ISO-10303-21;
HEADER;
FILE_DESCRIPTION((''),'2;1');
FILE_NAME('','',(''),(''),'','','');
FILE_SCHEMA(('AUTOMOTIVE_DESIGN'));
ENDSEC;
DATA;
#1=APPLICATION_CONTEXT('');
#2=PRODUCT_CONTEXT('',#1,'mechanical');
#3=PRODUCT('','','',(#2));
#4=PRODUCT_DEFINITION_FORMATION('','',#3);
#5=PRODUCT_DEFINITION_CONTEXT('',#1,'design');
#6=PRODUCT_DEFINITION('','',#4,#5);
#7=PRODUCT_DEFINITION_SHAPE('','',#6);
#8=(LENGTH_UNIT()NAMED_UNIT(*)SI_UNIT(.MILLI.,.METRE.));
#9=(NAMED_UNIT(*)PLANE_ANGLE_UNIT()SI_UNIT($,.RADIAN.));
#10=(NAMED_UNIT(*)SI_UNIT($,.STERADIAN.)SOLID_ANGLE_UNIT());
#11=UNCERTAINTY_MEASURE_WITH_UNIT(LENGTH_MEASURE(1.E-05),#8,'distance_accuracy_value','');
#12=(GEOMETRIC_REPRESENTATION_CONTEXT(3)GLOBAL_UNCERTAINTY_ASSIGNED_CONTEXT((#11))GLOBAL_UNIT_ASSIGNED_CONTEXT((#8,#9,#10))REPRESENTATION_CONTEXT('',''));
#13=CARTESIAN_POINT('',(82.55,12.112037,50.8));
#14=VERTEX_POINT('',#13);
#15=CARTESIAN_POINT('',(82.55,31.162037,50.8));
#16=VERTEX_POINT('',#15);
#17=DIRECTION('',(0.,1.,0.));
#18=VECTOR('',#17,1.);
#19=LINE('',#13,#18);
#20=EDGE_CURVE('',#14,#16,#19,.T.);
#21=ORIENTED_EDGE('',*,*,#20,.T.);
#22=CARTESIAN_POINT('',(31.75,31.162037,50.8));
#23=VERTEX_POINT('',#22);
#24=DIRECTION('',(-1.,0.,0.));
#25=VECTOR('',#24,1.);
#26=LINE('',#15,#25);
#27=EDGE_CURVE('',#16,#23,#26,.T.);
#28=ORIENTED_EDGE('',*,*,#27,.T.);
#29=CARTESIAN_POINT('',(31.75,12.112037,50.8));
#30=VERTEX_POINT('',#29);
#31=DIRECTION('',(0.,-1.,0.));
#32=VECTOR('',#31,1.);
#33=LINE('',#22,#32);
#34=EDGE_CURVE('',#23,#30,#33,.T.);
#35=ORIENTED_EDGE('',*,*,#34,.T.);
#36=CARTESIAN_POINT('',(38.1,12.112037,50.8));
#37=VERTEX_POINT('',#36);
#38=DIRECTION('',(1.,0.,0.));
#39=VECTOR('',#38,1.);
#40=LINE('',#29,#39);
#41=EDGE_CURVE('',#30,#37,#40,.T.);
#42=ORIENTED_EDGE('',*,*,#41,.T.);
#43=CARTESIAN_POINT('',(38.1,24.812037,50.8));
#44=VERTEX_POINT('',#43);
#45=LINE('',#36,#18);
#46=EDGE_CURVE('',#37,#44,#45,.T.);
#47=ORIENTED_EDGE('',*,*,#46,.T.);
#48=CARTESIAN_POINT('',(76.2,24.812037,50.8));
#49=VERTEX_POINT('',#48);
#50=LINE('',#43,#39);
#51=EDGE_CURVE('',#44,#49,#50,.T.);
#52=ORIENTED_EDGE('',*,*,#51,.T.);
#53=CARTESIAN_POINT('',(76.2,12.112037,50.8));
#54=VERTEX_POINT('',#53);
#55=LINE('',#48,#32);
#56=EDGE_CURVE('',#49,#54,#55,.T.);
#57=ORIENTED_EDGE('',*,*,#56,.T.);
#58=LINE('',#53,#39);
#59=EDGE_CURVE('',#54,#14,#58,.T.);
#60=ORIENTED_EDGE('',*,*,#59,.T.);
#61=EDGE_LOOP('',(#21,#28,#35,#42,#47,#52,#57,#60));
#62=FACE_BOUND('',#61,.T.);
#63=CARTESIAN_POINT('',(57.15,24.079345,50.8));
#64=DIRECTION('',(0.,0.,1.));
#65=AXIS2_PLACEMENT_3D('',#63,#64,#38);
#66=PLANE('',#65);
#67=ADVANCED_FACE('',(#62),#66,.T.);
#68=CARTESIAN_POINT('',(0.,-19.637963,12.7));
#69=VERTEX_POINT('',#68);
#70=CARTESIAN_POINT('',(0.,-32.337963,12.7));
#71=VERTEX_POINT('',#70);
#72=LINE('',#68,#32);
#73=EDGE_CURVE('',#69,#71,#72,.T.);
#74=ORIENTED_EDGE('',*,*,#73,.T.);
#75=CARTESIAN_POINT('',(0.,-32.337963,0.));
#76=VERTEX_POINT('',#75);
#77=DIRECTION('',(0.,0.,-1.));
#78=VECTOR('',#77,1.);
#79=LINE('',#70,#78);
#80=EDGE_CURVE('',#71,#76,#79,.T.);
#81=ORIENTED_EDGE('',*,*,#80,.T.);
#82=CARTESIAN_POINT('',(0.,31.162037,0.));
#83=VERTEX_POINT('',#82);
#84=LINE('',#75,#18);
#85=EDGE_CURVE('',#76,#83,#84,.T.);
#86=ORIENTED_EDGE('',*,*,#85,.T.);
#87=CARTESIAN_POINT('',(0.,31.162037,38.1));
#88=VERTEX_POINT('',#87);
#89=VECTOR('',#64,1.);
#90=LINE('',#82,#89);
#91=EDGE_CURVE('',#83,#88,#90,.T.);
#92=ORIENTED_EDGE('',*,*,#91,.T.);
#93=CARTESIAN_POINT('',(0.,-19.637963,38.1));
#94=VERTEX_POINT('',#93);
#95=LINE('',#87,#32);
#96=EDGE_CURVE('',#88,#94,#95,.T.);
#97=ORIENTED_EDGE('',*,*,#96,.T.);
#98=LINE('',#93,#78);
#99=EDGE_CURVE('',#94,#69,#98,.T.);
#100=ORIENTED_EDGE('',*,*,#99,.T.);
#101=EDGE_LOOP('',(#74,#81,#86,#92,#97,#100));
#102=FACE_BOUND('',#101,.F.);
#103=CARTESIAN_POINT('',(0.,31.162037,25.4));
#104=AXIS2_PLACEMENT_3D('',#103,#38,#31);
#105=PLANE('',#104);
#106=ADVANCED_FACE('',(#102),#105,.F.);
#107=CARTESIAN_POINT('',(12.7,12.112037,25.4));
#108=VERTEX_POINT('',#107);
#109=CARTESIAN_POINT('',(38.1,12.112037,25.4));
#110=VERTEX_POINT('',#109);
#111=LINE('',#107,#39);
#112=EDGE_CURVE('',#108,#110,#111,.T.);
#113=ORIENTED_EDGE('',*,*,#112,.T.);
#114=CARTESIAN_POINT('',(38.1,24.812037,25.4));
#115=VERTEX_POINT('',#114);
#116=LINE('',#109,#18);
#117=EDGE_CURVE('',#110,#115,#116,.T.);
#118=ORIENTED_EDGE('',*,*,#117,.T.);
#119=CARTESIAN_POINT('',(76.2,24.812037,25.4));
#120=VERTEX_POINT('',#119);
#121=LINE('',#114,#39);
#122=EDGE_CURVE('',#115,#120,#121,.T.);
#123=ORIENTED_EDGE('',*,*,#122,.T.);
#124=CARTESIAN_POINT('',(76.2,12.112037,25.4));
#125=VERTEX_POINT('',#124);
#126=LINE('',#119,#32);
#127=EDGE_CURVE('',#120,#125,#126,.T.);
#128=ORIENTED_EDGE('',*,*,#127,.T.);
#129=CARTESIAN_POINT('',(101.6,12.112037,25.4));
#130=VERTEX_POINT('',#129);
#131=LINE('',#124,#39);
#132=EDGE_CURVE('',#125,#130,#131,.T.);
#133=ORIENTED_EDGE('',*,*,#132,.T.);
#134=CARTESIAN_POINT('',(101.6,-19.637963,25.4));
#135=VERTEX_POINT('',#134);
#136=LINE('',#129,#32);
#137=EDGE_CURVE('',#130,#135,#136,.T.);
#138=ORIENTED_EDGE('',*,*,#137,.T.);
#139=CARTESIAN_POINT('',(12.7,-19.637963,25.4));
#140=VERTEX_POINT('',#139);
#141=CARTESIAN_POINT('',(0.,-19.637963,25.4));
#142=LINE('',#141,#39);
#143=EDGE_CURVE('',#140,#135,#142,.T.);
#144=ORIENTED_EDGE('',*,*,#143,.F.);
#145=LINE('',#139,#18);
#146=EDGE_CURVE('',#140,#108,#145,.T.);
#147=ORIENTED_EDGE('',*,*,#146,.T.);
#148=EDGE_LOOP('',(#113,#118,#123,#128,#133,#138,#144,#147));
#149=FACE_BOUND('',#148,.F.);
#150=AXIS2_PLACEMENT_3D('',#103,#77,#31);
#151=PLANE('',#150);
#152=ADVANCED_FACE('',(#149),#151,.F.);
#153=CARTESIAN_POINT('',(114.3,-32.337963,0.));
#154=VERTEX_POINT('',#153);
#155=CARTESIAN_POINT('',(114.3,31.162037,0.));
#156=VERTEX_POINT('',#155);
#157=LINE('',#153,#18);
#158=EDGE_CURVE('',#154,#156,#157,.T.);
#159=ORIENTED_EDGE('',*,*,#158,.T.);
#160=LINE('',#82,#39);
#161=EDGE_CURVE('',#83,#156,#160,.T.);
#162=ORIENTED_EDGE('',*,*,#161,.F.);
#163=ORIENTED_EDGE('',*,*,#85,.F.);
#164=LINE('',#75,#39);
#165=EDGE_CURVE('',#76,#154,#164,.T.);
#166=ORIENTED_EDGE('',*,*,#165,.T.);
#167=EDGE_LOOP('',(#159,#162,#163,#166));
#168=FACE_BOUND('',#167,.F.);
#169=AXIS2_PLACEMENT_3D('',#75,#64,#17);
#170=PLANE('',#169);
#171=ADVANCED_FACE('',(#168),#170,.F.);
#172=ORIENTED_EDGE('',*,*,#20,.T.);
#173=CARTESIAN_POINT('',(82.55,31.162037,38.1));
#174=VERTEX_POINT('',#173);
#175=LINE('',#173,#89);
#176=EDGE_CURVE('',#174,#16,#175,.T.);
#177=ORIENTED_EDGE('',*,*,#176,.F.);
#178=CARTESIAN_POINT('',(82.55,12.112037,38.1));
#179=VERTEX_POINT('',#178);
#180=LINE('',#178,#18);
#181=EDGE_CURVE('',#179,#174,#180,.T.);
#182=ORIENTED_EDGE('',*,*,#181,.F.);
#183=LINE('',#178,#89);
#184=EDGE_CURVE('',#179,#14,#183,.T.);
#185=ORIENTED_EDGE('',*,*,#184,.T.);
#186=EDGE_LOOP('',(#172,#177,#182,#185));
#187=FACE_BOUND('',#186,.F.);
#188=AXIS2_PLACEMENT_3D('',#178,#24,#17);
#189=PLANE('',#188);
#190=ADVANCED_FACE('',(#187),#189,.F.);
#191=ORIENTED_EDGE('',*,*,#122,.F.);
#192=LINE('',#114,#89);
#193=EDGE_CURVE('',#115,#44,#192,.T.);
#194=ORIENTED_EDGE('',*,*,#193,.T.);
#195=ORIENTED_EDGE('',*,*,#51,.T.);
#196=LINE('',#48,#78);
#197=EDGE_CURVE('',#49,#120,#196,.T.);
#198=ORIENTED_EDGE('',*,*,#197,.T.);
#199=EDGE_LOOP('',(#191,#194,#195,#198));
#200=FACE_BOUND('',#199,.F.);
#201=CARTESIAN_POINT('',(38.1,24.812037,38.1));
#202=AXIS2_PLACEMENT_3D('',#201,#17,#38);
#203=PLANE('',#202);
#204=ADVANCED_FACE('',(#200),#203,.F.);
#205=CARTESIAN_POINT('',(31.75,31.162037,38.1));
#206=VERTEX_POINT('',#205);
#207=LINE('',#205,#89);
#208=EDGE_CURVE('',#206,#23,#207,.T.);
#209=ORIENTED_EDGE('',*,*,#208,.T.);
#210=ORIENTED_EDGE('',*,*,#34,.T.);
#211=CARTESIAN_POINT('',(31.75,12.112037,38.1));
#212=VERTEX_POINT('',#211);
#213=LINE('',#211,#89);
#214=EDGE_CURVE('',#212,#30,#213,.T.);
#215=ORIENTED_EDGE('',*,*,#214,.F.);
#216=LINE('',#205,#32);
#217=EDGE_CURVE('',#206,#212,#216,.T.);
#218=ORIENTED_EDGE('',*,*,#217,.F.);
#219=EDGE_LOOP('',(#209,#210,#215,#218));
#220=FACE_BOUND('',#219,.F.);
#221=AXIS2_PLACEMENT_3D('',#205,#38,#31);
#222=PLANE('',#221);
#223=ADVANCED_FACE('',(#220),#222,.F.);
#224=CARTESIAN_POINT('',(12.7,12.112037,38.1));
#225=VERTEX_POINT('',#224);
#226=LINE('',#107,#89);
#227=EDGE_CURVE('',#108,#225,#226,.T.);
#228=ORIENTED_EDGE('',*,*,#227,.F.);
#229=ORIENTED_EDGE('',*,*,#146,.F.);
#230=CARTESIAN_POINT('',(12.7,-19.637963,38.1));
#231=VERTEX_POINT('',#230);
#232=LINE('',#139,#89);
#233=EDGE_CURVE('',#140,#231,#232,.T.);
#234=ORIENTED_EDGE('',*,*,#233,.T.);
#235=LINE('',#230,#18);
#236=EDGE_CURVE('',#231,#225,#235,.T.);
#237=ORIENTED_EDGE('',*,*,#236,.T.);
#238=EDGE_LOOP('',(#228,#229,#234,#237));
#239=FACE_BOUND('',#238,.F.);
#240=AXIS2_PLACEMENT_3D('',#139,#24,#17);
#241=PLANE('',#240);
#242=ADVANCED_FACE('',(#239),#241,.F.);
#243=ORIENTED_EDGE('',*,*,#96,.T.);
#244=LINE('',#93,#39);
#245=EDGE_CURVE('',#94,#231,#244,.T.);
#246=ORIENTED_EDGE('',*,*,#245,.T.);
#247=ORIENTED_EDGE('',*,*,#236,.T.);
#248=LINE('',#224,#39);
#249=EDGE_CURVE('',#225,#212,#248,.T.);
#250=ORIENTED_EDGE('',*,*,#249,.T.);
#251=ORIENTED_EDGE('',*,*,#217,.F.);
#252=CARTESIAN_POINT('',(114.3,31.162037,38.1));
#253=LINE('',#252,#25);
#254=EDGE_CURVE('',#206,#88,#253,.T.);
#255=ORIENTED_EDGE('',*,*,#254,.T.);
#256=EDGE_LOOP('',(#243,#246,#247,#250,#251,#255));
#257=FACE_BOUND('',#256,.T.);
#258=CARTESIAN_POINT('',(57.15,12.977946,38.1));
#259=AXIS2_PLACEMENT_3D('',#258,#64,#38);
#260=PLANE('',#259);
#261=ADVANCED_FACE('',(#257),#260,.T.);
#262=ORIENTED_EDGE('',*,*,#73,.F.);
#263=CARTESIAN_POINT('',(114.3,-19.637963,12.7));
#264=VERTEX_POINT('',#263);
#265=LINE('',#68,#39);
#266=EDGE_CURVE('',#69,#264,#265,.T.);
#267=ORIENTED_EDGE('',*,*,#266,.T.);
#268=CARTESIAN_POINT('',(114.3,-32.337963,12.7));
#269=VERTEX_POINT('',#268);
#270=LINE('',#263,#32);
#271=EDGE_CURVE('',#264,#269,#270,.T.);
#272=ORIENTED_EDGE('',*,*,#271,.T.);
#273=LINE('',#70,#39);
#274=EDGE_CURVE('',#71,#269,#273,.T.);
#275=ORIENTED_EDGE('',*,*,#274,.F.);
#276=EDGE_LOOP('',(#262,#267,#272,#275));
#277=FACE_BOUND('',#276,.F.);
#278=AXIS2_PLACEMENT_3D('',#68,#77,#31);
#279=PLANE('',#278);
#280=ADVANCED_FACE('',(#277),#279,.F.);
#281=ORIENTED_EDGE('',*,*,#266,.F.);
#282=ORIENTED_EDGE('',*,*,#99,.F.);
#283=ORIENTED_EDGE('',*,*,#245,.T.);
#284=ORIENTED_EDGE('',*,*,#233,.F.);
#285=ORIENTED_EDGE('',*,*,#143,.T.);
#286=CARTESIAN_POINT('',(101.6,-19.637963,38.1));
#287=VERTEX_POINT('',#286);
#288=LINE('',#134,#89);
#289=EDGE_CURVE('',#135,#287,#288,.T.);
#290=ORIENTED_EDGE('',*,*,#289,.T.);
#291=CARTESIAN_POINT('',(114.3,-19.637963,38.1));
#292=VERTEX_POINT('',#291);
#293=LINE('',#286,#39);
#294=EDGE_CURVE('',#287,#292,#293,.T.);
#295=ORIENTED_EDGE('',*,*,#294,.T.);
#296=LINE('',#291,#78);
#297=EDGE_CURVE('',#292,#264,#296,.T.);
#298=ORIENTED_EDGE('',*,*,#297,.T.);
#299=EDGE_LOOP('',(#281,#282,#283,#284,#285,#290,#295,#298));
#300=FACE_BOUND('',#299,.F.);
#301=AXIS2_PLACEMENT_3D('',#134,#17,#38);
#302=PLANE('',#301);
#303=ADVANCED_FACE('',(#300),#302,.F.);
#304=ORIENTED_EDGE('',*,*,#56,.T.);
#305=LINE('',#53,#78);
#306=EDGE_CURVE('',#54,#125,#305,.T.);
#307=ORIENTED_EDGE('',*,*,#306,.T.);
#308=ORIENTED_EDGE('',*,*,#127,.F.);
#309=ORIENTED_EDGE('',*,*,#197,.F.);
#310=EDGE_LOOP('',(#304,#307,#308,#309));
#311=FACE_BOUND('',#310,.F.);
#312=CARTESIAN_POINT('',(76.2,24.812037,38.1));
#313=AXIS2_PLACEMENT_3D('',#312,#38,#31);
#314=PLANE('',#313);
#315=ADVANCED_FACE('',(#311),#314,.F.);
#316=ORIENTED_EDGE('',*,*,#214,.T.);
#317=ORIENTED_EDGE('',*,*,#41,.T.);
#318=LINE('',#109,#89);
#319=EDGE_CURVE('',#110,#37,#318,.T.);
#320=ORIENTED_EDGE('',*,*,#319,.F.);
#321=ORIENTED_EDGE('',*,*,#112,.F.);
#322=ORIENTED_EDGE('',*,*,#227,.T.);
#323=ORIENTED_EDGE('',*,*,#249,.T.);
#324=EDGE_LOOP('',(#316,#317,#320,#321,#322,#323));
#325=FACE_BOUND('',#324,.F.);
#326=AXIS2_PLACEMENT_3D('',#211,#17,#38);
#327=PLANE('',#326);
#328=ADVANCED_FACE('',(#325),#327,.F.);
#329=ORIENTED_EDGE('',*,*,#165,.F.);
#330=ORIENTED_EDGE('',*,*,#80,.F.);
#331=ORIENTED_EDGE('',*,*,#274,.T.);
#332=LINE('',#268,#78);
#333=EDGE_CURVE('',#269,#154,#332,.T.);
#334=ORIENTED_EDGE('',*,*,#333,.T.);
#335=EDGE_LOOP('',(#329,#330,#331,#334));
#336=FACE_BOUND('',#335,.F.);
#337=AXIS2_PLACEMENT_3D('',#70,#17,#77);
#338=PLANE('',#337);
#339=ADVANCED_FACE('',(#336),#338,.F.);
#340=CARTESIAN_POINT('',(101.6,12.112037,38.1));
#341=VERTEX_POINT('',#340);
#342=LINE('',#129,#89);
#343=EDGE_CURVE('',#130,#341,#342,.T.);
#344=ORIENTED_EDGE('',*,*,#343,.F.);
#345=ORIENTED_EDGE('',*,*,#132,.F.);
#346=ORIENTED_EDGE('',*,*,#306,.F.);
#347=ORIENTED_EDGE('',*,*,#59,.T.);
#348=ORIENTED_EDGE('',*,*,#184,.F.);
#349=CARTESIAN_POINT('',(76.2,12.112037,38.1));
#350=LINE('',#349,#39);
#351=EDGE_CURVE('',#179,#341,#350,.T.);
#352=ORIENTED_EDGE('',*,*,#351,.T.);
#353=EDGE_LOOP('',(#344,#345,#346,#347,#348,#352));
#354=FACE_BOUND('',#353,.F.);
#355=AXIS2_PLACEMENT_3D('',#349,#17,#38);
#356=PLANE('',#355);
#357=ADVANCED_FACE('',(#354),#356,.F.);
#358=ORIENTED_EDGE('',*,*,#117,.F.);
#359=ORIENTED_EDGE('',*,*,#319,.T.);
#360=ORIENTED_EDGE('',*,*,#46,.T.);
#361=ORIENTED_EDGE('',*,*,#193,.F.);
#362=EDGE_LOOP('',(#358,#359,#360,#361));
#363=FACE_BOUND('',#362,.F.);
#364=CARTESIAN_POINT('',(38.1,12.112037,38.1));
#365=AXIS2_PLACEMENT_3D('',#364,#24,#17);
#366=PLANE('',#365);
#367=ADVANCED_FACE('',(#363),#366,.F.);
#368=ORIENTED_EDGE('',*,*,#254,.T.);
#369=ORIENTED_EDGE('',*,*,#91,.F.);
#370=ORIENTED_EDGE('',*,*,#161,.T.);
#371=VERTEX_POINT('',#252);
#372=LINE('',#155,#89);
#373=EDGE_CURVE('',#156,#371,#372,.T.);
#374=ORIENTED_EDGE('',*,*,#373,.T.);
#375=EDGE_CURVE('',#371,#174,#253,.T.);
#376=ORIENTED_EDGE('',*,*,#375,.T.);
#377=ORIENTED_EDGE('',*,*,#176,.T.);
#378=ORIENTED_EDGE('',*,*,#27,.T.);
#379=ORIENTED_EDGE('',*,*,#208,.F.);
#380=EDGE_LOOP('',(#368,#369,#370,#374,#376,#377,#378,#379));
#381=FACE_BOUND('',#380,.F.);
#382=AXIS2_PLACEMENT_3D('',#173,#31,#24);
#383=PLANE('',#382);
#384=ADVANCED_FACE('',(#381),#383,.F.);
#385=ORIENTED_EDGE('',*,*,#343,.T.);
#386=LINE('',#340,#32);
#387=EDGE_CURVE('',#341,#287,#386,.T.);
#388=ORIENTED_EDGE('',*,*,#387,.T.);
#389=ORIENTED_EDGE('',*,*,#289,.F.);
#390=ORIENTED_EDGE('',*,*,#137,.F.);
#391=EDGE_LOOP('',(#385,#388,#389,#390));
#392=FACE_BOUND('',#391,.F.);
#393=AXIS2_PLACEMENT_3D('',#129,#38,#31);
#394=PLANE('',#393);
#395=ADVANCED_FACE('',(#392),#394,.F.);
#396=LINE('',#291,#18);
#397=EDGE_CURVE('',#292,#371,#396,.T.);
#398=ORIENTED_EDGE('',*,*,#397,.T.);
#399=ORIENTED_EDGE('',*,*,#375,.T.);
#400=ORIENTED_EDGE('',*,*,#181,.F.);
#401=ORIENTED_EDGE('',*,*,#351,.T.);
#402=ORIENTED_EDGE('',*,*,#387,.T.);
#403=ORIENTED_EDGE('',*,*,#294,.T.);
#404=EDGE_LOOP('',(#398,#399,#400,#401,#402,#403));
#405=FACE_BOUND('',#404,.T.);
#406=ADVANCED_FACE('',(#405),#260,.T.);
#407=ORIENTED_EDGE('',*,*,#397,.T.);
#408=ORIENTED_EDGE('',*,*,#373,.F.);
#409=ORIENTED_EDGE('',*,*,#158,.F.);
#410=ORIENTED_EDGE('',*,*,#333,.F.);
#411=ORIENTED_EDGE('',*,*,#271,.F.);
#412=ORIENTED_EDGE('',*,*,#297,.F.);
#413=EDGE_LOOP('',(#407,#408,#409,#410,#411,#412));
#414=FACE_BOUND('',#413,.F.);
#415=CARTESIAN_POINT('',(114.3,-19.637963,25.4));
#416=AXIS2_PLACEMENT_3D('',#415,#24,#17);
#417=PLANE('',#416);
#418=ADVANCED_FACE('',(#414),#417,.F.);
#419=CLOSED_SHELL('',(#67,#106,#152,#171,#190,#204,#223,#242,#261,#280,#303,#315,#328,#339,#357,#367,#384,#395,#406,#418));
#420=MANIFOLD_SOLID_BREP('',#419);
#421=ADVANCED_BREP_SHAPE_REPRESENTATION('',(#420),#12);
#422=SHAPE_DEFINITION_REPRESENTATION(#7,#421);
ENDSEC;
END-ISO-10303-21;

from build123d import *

# Parameters (mm, degrees)
F1_DEPTH = 114.3
F4_DEPTH = 12.7
F6_DEPTH = 12.7


with BuildPart() as f1:
    # F0 (on Right) → F1 (new body)
    with BuildSketch(Plane.YZ):
        Polygon((-32.3379626675, 12.7), (-32.3379626675, 0), (31.1620373325, 0), (31.1620373325, 25.4), (-19.6379626675, 25.4), (-19.6379626675, 12.7), align=None)
    extrude(amount=F1_DEPTH)

    # F3 (on offset) → F4 (join)
    with BuildSketch(Plane.XY.offset(25.4)):
        Polygon((114.3, -19.6379626675), (114.3, 31.1620373325), (0, 31.1620373325), (0, -19.6379626675), (12.7, -19.6379626675), (12.7, 12.1120373325), (38.1, 12.1120373325), (38.1, 24.8120373325), (76.2, 24.8120373325), (76.2, 12.1120373325), (101.6, 12.1120373325), (101.6, -19.6379626675), align=None)
    extrude(amount=F4_DEPTH)

    # F5 (on face) → F6 (join)
    with BuildSketch(Plane.XY.offset(38.1)):
        Polygon((82.55, 12.1120373325), (82.55, 31.1620373325), (31.75, 31.1620373325), (31.75, 12.1120373325), (38.1, 12.1120373325), (38.1, 24.8120373325), (76.2, 24.8120373325), (76.2, 12.1120373325), align=None)
    extrude(amount=F6_DEPTH)


solid = f1.part
